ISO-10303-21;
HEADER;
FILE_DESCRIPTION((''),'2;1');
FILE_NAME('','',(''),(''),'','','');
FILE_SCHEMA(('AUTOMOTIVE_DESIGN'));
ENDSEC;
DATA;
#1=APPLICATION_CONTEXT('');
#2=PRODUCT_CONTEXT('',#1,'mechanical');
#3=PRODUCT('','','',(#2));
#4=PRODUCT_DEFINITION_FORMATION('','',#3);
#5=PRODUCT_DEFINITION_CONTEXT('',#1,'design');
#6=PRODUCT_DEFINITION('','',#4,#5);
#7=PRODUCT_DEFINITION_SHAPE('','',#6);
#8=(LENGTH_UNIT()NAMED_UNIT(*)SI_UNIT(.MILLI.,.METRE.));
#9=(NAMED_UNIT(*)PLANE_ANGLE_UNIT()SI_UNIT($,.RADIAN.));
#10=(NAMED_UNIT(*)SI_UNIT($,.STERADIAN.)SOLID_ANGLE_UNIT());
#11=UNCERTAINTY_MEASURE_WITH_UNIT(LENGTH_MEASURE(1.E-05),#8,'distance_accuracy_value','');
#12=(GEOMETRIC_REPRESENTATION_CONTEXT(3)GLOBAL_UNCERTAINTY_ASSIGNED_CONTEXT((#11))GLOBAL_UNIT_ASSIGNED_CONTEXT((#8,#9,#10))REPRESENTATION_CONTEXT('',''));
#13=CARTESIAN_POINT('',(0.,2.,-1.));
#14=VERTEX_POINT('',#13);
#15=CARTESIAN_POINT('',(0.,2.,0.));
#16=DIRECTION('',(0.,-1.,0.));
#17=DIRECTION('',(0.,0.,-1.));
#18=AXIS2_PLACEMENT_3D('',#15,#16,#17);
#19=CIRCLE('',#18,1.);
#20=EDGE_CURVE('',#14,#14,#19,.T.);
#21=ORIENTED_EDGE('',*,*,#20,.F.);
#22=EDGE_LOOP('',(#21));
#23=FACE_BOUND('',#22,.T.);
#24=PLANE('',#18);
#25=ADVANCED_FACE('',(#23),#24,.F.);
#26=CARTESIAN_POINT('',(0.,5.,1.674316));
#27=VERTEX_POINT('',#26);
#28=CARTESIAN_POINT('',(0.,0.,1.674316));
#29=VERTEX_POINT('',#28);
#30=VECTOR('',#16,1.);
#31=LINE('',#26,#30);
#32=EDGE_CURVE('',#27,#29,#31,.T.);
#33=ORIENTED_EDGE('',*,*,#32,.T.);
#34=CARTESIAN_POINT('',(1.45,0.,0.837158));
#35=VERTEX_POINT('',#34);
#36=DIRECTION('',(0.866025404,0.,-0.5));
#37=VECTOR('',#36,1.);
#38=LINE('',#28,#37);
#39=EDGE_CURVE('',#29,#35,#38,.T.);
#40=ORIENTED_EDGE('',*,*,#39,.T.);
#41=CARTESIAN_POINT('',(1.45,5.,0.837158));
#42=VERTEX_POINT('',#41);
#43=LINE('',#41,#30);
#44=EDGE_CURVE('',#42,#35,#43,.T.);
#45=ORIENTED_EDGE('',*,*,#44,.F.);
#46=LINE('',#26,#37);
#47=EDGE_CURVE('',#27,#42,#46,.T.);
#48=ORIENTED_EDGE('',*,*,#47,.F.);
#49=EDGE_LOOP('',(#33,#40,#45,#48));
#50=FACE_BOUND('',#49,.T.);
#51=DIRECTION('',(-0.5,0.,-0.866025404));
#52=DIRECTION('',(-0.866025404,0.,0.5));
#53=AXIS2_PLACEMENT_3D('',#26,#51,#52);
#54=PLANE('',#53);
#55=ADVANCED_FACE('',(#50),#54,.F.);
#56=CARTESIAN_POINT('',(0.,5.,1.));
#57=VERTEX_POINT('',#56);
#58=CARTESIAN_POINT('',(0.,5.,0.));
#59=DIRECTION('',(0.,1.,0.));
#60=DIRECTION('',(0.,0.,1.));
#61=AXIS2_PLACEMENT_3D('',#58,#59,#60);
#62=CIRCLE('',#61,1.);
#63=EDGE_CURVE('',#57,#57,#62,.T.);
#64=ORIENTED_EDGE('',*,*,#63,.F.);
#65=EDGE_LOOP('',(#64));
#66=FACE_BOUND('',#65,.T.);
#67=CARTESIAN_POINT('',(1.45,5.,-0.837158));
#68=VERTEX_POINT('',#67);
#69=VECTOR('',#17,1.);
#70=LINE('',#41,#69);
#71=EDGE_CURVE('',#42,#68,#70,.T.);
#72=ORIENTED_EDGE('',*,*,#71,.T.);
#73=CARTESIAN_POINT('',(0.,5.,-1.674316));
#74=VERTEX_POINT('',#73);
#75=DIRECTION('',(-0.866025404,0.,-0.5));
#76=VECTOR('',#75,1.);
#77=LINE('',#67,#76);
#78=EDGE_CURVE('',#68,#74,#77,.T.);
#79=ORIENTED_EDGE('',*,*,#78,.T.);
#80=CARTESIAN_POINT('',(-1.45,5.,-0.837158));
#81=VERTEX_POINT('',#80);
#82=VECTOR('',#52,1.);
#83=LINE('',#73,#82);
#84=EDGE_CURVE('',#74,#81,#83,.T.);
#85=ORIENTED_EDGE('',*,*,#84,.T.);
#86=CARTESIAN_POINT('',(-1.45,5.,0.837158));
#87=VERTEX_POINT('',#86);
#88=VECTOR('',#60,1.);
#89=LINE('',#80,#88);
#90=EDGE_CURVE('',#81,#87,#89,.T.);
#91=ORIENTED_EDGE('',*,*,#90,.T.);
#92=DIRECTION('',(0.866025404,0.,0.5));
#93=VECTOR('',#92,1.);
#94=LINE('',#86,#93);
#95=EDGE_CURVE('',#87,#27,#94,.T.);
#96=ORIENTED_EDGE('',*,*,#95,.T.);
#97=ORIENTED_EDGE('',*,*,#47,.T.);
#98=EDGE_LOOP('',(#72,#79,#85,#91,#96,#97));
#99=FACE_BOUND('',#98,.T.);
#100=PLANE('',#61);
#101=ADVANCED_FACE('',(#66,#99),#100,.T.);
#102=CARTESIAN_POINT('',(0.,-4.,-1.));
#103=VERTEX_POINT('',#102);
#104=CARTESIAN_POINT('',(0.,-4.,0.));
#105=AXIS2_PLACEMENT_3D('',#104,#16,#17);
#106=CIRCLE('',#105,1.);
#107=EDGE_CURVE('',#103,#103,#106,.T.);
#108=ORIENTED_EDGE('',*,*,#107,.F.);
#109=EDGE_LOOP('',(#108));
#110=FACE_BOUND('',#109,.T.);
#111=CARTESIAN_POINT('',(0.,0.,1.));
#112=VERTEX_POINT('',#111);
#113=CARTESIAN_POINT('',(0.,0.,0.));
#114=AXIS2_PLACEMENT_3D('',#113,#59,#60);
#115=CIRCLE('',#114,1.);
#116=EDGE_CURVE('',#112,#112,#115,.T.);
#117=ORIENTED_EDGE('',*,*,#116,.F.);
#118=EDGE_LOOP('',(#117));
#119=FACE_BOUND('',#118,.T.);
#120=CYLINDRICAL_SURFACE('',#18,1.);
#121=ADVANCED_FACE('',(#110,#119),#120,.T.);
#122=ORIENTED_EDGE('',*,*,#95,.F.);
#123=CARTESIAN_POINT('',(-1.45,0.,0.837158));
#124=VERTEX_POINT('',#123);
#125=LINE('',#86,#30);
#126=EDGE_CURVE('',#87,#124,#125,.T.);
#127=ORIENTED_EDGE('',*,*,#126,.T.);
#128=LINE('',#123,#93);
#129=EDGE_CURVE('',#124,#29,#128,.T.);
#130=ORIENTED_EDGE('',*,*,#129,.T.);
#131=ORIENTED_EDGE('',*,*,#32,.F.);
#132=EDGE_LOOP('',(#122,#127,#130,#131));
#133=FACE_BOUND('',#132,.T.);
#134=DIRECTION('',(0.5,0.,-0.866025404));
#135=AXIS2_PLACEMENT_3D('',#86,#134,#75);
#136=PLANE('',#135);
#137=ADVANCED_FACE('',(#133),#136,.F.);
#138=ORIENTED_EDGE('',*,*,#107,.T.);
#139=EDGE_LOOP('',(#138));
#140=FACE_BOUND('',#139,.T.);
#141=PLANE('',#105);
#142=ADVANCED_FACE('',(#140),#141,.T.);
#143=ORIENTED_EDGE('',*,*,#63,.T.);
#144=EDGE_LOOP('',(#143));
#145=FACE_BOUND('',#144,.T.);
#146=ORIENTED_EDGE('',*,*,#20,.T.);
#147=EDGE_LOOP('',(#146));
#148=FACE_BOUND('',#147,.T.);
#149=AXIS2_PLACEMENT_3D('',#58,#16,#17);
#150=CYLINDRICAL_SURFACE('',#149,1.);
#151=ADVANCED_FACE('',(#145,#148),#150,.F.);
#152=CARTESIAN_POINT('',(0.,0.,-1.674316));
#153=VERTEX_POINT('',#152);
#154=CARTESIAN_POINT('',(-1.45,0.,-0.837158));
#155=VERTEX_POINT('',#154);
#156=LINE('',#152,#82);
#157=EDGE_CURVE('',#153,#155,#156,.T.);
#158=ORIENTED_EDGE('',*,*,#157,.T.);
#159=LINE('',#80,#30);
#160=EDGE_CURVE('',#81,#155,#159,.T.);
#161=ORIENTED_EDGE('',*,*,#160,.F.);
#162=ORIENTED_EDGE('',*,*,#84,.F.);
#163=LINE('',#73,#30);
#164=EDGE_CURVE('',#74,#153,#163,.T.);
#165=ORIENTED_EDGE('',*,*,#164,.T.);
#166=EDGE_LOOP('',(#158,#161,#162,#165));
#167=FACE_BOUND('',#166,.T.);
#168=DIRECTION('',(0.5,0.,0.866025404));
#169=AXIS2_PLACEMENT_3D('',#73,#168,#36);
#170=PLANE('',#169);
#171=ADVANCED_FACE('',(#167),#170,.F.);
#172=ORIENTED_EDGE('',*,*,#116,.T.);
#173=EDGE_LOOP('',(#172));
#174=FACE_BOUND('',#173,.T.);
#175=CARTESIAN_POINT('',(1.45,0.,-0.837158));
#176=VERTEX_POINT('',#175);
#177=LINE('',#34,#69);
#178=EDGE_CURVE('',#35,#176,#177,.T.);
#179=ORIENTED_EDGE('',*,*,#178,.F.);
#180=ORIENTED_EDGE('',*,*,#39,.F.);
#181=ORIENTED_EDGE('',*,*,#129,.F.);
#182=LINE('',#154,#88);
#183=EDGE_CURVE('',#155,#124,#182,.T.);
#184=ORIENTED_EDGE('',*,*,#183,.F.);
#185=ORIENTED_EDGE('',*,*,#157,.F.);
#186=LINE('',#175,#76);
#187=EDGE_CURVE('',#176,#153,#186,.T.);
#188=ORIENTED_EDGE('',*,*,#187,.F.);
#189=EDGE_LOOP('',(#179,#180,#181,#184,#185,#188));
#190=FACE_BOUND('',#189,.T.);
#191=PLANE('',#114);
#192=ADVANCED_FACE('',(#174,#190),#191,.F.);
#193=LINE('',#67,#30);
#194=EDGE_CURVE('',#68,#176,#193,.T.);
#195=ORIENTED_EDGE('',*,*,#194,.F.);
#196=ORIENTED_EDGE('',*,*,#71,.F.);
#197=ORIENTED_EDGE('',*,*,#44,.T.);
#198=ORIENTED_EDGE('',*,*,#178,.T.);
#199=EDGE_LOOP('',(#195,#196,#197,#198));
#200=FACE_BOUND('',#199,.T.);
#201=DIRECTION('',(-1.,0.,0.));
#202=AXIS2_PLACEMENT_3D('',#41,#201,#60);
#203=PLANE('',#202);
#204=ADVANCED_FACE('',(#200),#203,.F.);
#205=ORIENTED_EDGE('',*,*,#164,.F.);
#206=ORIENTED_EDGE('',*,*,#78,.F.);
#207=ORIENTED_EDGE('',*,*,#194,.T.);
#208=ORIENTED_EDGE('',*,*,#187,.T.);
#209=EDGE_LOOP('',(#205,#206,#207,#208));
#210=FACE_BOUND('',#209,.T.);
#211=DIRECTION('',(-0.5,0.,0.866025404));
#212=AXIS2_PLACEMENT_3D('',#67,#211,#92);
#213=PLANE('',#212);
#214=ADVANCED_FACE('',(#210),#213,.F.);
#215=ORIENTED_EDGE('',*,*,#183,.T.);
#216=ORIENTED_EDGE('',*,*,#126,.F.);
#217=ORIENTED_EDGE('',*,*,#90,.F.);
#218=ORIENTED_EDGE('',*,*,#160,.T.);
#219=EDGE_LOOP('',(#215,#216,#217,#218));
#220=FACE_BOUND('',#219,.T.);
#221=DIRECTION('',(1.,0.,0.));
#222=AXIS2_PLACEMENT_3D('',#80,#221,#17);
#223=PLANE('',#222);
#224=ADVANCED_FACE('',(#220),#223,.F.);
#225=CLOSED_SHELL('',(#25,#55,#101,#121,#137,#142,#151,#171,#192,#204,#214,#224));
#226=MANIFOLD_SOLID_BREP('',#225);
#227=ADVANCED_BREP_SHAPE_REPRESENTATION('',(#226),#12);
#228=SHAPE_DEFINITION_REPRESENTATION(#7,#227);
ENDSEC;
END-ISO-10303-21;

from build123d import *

# Parameters (mm, degrees)
SKETCH_1_R           = 1
EXTRUDE_1_DEPTH      = 5
EXTRUDE_2_DEPTH      = 4
EXTRUDE_2_DEPTH_BACK = 2
SKETCH_2_R           = 1


with BuildPart() as part:
    # 草图1 → 凸台-拉伸1 (new body)
    with BuildSketch(Plane(origin=(0, 0, 0), x_dir=(1, 0, 0), z_dir=(0, 1, 0))):
        Polygon((0, 1.674315781), (-1.45, 0.83715789), (-1.45, -0.83715789), (0, -1.674315781), (1.45, -0.83715789), (1.45, 0.83715789), align=None)
        with Locations(Location((0, 0, 0), (0, 0, 270))):
            Circle(SKETCH_1_R, mode=Mode.SUBTRACT)
    extrude(amount=EXTRUDE_1_DEPTH)

    # 草图2 → 凸台-拉伸2 (add, two sides: drawn at the far end of the back side and taken through both)
    with BuildSketch(Plane.XZ.offset(-EXTRUDE_2_DEPTH_BACK)):
        with Locations(Location((0, 0, 0), (0, 0, 270))):
            Circle(SKETCH_2_R)
    extrude(amount=EXTRUDE_2_DEPTH + EXTRUDE_2_DEPTH_BACK)


solid = part.part
